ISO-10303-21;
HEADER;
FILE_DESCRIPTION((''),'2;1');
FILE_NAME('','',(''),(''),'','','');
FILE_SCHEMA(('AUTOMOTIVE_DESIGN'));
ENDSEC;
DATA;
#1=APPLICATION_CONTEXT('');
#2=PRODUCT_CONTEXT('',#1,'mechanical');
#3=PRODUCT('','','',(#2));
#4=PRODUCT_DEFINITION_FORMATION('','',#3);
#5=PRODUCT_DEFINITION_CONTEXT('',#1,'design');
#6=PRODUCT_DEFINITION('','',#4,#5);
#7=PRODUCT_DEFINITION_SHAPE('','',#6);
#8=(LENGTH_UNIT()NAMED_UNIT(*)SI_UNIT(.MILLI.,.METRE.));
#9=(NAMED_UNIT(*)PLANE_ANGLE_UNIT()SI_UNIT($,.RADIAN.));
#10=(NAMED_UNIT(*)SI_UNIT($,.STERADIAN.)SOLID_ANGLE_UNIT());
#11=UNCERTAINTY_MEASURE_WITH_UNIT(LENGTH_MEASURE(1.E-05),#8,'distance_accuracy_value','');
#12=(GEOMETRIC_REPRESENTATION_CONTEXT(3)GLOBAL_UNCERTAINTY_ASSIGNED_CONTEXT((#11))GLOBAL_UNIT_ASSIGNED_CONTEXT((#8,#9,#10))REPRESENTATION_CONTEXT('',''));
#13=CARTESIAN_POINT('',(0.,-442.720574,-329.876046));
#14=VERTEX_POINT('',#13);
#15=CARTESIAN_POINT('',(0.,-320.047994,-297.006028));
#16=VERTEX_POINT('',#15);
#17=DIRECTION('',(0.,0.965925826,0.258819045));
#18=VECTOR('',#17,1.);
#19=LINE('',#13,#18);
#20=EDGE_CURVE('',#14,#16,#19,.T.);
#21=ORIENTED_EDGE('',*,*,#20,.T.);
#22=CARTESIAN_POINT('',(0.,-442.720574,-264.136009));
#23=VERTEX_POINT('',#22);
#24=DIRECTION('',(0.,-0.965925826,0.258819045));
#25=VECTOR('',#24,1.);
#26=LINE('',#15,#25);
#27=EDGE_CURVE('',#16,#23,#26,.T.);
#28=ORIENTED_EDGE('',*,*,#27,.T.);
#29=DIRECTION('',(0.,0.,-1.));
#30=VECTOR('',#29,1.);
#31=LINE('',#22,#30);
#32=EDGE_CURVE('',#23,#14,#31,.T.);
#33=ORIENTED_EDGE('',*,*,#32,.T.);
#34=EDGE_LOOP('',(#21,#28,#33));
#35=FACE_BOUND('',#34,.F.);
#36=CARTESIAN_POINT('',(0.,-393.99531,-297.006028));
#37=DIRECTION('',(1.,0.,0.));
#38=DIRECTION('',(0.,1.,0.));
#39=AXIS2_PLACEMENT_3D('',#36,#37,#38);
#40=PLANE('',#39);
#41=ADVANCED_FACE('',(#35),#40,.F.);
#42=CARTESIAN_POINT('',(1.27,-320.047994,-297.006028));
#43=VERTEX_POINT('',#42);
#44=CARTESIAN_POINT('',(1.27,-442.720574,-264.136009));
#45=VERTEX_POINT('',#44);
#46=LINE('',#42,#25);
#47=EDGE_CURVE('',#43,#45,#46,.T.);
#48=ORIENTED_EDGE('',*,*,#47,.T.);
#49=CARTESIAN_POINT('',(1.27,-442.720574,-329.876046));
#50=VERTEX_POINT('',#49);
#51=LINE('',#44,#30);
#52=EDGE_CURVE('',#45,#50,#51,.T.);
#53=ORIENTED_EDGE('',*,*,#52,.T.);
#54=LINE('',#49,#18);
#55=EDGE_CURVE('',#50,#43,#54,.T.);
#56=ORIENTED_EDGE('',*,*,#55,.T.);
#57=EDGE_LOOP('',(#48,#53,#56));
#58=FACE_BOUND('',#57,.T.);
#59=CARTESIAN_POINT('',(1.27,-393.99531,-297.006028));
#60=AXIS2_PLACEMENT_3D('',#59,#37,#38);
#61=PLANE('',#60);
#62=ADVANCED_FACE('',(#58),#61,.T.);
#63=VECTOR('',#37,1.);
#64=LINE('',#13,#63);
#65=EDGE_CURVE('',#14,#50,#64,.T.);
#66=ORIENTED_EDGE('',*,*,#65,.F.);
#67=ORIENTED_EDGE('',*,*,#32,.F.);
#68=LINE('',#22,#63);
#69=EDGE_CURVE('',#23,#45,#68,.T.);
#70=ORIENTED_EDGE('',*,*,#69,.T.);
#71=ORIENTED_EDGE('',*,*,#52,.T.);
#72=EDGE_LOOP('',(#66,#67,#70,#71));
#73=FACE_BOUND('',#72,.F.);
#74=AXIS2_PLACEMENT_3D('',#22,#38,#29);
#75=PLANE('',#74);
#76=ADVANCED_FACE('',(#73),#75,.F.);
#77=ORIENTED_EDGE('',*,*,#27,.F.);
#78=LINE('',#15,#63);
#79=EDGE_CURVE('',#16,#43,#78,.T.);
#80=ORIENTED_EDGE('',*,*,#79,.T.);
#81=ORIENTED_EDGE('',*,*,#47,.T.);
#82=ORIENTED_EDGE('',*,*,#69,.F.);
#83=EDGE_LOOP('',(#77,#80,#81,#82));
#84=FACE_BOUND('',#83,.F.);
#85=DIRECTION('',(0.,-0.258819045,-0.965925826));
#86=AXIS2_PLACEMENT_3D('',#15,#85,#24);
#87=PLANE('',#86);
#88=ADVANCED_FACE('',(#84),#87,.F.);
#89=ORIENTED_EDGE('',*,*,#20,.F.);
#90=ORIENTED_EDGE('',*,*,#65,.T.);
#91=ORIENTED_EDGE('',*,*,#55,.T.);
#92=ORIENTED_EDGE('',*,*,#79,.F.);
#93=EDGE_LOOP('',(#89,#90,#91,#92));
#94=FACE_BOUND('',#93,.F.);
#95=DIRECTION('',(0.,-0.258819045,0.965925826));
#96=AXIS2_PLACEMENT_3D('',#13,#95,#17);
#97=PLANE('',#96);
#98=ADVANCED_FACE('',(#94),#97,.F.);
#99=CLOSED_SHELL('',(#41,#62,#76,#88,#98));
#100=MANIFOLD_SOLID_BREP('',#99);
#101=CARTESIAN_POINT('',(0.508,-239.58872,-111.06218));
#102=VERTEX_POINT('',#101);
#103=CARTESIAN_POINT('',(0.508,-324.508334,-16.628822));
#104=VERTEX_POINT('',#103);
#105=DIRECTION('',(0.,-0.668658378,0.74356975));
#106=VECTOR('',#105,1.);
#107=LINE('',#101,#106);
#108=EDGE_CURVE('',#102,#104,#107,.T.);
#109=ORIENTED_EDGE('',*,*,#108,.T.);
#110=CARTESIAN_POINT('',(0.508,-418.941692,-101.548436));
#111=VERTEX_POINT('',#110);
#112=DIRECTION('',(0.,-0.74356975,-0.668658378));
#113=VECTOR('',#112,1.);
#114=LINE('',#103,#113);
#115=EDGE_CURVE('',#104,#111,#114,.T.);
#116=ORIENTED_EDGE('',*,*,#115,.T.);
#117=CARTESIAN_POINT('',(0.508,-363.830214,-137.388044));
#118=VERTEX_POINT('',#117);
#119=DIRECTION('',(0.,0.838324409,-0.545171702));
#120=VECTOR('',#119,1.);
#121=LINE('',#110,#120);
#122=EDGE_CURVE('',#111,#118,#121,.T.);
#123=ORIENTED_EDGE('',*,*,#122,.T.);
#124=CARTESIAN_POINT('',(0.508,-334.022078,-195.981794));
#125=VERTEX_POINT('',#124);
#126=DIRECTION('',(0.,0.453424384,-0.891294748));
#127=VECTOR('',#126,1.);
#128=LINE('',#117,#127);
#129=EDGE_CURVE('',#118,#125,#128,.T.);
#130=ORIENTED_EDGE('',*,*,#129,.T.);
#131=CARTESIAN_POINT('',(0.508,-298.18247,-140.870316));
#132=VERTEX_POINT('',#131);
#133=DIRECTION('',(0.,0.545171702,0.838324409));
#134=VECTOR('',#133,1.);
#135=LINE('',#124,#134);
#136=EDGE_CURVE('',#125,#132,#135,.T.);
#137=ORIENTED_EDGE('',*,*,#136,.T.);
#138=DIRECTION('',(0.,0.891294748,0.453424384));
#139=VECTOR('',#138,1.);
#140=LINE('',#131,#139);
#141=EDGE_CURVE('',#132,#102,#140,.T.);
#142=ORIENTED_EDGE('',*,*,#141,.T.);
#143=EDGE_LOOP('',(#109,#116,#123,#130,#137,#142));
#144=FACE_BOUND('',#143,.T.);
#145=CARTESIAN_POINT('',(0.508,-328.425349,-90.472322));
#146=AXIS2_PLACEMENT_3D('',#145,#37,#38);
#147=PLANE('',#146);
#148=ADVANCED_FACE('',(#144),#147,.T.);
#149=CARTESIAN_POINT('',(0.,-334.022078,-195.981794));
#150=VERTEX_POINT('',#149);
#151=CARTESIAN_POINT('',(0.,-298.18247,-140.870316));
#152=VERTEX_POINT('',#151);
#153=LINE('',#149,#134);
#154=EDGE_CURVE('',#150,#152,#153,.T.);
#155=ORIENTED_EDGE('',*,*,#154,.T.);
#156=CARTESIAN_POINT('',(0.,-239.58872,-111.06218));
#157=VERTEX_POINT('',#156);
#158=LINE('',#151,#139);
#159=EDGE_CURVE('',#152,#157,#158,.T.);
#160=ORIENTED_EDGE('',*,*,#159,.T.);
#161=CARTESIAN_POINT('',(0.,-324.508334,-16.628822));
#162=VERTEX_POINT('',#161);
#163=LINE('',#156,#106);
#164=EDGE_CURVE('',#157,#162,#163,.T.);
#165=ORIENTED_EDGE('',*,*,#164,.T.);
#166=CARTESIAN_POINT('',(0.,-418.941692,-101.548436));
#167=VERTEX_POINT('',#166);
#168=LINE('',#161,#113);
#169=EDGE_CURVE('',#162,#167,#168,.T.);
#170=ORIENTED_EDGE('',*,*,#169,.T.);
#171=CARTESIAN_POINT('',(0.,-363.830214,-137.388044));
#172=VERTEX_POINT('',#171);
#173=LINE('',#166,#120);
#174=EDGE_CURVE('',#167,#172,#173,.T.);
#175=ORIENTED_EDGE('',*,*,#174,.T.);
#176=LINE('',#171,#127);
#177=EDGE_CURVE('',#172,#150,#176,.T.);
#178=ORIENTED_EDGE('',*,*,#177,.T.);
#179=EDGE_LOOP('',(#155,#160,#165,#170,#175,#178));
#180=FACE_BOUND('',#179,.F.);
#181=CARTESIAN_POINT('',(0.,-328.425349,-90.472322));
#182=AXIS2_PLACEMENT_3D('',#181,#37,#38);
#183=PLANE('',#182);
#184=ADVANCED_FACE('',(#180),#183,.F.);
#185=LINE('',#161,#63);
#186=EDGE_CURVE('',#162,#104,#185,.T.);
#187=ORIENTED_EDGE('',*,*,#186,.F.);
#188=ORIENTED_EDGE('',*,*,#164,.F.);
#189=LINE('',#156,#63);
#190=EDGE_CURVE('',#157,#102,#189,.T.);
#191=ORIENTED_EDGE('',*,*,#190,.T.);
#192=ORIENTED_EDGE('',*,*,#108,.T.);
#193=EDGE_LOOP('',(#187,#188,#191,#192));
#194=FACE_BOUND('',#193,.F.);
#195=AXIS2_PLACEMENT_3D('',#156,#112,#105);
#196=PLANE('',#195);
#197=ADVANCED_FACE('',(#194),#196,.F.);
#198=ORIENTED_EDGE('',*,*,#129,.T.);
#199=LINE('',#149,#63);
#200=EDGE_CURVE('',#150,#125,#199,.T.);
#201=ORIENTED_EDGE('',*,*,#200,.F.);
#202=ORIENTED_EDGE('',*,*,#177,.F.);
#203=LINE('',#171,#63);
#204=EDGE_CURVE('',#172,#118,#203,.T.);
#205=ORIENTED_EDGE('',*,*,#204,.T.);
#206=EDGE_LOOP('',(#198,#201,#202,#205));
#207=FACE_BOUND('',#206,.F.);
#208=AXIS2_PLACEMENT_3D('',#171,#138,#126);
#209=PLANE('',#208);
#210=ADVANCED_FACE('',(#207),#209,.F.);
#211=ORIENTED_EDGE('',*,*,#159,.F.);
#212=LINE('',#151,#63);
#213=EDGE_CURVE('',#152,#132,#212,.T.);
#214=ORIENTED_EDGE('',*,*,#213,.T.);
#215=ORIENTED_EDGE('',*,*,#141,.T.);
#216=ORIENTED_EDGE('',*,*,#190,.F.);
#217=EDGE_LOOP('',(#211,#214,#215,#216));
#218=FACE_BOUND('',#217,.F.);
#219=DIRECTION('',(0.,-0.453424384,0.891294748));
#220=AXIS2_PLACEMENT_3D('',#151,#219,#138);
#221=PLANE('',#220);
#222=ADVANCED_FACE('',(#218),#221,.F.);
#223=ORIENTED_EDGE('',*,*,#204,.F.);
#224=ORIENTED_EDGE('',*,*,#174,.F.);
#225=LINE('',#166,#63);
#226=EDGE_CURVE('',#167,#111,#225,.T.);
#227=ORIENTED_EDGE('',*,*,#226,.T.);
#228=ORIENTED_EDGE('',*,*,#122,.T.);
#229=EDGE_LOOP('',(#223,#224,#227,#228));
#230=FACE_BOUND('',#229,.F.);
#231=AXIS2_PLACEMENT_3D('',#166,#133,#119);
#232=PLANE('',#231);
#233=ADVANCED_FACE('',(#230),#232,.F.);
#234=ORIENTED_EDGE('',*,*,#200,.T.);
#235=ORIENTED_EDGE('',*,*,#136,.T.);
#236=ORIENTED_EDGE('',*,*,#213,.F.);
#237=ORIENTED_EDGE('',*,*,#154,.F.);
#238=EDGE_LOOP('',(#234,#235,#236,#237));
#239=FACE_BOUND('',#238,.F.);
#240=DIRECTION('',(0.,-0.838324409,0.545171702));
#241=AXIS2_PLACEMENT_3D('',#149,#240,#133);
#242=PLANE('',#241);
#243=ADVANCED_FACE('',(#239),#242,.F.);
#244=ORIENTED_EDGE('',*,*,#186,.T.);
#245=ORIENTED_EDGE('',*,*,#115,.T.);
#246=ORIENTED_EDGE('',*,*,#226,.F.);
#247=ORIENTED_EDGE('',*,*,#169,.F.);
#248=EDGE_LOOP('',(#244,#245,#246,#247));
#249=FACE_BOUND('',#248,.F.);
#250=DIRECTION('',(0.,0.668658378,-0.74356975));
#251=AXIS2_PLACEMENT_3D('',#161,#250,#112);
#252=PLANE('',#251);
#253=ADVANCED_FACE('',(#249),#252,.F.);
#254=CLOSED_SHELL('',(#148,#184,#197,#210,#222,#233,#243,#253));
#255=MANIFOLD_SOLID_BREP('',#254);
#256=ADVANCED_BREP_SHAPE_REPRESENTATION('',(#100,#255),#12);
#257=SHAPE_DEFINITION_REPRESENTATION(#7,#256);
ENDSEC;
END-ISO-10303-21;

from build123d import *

# Parameters (mm, degrees)
F1_DEPTH = 1.27
F3_DEPTH = 0.508


with BuildPart() as f1:
    # F0 (on Right) → F1 (new body)
    with BuildSketch(Plane.YZ):
        Polygon((-320.0479941891, -297.0060277551), (-442.7205741278, -264.1360090271), (-442.7205741278, -329.8760464832), align=None)
    extrude(amount=F1_DEPTH)


with BuildPart() as f3:
    # F2 (on Right) → F3 (new body)
    with BuildSketch(Plane.YZ):
        Polygon((-363.8302143751, -137.3880438302), (-298.1824702711, -140.8703159005), (-324.5083341772, -16.6288216661), align=None)
        Polygon((-334.0220783988, -195.9817939606), (-298.1824702711, -140.8703159005), (-363.8302143751, -137.3880438302), align=None)
        Polygon((-324.5083341772, -16.6288216661), (-298.1824702711, -140.8703159005), (-239.5887201407, -111.0621799242), align=None)
        Polygon((-363.8302143751, -137.3880438302), (-324.5083341772, -16.6288216661), (-418.9416924353, -101.5484357025), align=None)
    extrude(amount=F3_DEPTH)


solid = Compound([f1.part, f3.part])
